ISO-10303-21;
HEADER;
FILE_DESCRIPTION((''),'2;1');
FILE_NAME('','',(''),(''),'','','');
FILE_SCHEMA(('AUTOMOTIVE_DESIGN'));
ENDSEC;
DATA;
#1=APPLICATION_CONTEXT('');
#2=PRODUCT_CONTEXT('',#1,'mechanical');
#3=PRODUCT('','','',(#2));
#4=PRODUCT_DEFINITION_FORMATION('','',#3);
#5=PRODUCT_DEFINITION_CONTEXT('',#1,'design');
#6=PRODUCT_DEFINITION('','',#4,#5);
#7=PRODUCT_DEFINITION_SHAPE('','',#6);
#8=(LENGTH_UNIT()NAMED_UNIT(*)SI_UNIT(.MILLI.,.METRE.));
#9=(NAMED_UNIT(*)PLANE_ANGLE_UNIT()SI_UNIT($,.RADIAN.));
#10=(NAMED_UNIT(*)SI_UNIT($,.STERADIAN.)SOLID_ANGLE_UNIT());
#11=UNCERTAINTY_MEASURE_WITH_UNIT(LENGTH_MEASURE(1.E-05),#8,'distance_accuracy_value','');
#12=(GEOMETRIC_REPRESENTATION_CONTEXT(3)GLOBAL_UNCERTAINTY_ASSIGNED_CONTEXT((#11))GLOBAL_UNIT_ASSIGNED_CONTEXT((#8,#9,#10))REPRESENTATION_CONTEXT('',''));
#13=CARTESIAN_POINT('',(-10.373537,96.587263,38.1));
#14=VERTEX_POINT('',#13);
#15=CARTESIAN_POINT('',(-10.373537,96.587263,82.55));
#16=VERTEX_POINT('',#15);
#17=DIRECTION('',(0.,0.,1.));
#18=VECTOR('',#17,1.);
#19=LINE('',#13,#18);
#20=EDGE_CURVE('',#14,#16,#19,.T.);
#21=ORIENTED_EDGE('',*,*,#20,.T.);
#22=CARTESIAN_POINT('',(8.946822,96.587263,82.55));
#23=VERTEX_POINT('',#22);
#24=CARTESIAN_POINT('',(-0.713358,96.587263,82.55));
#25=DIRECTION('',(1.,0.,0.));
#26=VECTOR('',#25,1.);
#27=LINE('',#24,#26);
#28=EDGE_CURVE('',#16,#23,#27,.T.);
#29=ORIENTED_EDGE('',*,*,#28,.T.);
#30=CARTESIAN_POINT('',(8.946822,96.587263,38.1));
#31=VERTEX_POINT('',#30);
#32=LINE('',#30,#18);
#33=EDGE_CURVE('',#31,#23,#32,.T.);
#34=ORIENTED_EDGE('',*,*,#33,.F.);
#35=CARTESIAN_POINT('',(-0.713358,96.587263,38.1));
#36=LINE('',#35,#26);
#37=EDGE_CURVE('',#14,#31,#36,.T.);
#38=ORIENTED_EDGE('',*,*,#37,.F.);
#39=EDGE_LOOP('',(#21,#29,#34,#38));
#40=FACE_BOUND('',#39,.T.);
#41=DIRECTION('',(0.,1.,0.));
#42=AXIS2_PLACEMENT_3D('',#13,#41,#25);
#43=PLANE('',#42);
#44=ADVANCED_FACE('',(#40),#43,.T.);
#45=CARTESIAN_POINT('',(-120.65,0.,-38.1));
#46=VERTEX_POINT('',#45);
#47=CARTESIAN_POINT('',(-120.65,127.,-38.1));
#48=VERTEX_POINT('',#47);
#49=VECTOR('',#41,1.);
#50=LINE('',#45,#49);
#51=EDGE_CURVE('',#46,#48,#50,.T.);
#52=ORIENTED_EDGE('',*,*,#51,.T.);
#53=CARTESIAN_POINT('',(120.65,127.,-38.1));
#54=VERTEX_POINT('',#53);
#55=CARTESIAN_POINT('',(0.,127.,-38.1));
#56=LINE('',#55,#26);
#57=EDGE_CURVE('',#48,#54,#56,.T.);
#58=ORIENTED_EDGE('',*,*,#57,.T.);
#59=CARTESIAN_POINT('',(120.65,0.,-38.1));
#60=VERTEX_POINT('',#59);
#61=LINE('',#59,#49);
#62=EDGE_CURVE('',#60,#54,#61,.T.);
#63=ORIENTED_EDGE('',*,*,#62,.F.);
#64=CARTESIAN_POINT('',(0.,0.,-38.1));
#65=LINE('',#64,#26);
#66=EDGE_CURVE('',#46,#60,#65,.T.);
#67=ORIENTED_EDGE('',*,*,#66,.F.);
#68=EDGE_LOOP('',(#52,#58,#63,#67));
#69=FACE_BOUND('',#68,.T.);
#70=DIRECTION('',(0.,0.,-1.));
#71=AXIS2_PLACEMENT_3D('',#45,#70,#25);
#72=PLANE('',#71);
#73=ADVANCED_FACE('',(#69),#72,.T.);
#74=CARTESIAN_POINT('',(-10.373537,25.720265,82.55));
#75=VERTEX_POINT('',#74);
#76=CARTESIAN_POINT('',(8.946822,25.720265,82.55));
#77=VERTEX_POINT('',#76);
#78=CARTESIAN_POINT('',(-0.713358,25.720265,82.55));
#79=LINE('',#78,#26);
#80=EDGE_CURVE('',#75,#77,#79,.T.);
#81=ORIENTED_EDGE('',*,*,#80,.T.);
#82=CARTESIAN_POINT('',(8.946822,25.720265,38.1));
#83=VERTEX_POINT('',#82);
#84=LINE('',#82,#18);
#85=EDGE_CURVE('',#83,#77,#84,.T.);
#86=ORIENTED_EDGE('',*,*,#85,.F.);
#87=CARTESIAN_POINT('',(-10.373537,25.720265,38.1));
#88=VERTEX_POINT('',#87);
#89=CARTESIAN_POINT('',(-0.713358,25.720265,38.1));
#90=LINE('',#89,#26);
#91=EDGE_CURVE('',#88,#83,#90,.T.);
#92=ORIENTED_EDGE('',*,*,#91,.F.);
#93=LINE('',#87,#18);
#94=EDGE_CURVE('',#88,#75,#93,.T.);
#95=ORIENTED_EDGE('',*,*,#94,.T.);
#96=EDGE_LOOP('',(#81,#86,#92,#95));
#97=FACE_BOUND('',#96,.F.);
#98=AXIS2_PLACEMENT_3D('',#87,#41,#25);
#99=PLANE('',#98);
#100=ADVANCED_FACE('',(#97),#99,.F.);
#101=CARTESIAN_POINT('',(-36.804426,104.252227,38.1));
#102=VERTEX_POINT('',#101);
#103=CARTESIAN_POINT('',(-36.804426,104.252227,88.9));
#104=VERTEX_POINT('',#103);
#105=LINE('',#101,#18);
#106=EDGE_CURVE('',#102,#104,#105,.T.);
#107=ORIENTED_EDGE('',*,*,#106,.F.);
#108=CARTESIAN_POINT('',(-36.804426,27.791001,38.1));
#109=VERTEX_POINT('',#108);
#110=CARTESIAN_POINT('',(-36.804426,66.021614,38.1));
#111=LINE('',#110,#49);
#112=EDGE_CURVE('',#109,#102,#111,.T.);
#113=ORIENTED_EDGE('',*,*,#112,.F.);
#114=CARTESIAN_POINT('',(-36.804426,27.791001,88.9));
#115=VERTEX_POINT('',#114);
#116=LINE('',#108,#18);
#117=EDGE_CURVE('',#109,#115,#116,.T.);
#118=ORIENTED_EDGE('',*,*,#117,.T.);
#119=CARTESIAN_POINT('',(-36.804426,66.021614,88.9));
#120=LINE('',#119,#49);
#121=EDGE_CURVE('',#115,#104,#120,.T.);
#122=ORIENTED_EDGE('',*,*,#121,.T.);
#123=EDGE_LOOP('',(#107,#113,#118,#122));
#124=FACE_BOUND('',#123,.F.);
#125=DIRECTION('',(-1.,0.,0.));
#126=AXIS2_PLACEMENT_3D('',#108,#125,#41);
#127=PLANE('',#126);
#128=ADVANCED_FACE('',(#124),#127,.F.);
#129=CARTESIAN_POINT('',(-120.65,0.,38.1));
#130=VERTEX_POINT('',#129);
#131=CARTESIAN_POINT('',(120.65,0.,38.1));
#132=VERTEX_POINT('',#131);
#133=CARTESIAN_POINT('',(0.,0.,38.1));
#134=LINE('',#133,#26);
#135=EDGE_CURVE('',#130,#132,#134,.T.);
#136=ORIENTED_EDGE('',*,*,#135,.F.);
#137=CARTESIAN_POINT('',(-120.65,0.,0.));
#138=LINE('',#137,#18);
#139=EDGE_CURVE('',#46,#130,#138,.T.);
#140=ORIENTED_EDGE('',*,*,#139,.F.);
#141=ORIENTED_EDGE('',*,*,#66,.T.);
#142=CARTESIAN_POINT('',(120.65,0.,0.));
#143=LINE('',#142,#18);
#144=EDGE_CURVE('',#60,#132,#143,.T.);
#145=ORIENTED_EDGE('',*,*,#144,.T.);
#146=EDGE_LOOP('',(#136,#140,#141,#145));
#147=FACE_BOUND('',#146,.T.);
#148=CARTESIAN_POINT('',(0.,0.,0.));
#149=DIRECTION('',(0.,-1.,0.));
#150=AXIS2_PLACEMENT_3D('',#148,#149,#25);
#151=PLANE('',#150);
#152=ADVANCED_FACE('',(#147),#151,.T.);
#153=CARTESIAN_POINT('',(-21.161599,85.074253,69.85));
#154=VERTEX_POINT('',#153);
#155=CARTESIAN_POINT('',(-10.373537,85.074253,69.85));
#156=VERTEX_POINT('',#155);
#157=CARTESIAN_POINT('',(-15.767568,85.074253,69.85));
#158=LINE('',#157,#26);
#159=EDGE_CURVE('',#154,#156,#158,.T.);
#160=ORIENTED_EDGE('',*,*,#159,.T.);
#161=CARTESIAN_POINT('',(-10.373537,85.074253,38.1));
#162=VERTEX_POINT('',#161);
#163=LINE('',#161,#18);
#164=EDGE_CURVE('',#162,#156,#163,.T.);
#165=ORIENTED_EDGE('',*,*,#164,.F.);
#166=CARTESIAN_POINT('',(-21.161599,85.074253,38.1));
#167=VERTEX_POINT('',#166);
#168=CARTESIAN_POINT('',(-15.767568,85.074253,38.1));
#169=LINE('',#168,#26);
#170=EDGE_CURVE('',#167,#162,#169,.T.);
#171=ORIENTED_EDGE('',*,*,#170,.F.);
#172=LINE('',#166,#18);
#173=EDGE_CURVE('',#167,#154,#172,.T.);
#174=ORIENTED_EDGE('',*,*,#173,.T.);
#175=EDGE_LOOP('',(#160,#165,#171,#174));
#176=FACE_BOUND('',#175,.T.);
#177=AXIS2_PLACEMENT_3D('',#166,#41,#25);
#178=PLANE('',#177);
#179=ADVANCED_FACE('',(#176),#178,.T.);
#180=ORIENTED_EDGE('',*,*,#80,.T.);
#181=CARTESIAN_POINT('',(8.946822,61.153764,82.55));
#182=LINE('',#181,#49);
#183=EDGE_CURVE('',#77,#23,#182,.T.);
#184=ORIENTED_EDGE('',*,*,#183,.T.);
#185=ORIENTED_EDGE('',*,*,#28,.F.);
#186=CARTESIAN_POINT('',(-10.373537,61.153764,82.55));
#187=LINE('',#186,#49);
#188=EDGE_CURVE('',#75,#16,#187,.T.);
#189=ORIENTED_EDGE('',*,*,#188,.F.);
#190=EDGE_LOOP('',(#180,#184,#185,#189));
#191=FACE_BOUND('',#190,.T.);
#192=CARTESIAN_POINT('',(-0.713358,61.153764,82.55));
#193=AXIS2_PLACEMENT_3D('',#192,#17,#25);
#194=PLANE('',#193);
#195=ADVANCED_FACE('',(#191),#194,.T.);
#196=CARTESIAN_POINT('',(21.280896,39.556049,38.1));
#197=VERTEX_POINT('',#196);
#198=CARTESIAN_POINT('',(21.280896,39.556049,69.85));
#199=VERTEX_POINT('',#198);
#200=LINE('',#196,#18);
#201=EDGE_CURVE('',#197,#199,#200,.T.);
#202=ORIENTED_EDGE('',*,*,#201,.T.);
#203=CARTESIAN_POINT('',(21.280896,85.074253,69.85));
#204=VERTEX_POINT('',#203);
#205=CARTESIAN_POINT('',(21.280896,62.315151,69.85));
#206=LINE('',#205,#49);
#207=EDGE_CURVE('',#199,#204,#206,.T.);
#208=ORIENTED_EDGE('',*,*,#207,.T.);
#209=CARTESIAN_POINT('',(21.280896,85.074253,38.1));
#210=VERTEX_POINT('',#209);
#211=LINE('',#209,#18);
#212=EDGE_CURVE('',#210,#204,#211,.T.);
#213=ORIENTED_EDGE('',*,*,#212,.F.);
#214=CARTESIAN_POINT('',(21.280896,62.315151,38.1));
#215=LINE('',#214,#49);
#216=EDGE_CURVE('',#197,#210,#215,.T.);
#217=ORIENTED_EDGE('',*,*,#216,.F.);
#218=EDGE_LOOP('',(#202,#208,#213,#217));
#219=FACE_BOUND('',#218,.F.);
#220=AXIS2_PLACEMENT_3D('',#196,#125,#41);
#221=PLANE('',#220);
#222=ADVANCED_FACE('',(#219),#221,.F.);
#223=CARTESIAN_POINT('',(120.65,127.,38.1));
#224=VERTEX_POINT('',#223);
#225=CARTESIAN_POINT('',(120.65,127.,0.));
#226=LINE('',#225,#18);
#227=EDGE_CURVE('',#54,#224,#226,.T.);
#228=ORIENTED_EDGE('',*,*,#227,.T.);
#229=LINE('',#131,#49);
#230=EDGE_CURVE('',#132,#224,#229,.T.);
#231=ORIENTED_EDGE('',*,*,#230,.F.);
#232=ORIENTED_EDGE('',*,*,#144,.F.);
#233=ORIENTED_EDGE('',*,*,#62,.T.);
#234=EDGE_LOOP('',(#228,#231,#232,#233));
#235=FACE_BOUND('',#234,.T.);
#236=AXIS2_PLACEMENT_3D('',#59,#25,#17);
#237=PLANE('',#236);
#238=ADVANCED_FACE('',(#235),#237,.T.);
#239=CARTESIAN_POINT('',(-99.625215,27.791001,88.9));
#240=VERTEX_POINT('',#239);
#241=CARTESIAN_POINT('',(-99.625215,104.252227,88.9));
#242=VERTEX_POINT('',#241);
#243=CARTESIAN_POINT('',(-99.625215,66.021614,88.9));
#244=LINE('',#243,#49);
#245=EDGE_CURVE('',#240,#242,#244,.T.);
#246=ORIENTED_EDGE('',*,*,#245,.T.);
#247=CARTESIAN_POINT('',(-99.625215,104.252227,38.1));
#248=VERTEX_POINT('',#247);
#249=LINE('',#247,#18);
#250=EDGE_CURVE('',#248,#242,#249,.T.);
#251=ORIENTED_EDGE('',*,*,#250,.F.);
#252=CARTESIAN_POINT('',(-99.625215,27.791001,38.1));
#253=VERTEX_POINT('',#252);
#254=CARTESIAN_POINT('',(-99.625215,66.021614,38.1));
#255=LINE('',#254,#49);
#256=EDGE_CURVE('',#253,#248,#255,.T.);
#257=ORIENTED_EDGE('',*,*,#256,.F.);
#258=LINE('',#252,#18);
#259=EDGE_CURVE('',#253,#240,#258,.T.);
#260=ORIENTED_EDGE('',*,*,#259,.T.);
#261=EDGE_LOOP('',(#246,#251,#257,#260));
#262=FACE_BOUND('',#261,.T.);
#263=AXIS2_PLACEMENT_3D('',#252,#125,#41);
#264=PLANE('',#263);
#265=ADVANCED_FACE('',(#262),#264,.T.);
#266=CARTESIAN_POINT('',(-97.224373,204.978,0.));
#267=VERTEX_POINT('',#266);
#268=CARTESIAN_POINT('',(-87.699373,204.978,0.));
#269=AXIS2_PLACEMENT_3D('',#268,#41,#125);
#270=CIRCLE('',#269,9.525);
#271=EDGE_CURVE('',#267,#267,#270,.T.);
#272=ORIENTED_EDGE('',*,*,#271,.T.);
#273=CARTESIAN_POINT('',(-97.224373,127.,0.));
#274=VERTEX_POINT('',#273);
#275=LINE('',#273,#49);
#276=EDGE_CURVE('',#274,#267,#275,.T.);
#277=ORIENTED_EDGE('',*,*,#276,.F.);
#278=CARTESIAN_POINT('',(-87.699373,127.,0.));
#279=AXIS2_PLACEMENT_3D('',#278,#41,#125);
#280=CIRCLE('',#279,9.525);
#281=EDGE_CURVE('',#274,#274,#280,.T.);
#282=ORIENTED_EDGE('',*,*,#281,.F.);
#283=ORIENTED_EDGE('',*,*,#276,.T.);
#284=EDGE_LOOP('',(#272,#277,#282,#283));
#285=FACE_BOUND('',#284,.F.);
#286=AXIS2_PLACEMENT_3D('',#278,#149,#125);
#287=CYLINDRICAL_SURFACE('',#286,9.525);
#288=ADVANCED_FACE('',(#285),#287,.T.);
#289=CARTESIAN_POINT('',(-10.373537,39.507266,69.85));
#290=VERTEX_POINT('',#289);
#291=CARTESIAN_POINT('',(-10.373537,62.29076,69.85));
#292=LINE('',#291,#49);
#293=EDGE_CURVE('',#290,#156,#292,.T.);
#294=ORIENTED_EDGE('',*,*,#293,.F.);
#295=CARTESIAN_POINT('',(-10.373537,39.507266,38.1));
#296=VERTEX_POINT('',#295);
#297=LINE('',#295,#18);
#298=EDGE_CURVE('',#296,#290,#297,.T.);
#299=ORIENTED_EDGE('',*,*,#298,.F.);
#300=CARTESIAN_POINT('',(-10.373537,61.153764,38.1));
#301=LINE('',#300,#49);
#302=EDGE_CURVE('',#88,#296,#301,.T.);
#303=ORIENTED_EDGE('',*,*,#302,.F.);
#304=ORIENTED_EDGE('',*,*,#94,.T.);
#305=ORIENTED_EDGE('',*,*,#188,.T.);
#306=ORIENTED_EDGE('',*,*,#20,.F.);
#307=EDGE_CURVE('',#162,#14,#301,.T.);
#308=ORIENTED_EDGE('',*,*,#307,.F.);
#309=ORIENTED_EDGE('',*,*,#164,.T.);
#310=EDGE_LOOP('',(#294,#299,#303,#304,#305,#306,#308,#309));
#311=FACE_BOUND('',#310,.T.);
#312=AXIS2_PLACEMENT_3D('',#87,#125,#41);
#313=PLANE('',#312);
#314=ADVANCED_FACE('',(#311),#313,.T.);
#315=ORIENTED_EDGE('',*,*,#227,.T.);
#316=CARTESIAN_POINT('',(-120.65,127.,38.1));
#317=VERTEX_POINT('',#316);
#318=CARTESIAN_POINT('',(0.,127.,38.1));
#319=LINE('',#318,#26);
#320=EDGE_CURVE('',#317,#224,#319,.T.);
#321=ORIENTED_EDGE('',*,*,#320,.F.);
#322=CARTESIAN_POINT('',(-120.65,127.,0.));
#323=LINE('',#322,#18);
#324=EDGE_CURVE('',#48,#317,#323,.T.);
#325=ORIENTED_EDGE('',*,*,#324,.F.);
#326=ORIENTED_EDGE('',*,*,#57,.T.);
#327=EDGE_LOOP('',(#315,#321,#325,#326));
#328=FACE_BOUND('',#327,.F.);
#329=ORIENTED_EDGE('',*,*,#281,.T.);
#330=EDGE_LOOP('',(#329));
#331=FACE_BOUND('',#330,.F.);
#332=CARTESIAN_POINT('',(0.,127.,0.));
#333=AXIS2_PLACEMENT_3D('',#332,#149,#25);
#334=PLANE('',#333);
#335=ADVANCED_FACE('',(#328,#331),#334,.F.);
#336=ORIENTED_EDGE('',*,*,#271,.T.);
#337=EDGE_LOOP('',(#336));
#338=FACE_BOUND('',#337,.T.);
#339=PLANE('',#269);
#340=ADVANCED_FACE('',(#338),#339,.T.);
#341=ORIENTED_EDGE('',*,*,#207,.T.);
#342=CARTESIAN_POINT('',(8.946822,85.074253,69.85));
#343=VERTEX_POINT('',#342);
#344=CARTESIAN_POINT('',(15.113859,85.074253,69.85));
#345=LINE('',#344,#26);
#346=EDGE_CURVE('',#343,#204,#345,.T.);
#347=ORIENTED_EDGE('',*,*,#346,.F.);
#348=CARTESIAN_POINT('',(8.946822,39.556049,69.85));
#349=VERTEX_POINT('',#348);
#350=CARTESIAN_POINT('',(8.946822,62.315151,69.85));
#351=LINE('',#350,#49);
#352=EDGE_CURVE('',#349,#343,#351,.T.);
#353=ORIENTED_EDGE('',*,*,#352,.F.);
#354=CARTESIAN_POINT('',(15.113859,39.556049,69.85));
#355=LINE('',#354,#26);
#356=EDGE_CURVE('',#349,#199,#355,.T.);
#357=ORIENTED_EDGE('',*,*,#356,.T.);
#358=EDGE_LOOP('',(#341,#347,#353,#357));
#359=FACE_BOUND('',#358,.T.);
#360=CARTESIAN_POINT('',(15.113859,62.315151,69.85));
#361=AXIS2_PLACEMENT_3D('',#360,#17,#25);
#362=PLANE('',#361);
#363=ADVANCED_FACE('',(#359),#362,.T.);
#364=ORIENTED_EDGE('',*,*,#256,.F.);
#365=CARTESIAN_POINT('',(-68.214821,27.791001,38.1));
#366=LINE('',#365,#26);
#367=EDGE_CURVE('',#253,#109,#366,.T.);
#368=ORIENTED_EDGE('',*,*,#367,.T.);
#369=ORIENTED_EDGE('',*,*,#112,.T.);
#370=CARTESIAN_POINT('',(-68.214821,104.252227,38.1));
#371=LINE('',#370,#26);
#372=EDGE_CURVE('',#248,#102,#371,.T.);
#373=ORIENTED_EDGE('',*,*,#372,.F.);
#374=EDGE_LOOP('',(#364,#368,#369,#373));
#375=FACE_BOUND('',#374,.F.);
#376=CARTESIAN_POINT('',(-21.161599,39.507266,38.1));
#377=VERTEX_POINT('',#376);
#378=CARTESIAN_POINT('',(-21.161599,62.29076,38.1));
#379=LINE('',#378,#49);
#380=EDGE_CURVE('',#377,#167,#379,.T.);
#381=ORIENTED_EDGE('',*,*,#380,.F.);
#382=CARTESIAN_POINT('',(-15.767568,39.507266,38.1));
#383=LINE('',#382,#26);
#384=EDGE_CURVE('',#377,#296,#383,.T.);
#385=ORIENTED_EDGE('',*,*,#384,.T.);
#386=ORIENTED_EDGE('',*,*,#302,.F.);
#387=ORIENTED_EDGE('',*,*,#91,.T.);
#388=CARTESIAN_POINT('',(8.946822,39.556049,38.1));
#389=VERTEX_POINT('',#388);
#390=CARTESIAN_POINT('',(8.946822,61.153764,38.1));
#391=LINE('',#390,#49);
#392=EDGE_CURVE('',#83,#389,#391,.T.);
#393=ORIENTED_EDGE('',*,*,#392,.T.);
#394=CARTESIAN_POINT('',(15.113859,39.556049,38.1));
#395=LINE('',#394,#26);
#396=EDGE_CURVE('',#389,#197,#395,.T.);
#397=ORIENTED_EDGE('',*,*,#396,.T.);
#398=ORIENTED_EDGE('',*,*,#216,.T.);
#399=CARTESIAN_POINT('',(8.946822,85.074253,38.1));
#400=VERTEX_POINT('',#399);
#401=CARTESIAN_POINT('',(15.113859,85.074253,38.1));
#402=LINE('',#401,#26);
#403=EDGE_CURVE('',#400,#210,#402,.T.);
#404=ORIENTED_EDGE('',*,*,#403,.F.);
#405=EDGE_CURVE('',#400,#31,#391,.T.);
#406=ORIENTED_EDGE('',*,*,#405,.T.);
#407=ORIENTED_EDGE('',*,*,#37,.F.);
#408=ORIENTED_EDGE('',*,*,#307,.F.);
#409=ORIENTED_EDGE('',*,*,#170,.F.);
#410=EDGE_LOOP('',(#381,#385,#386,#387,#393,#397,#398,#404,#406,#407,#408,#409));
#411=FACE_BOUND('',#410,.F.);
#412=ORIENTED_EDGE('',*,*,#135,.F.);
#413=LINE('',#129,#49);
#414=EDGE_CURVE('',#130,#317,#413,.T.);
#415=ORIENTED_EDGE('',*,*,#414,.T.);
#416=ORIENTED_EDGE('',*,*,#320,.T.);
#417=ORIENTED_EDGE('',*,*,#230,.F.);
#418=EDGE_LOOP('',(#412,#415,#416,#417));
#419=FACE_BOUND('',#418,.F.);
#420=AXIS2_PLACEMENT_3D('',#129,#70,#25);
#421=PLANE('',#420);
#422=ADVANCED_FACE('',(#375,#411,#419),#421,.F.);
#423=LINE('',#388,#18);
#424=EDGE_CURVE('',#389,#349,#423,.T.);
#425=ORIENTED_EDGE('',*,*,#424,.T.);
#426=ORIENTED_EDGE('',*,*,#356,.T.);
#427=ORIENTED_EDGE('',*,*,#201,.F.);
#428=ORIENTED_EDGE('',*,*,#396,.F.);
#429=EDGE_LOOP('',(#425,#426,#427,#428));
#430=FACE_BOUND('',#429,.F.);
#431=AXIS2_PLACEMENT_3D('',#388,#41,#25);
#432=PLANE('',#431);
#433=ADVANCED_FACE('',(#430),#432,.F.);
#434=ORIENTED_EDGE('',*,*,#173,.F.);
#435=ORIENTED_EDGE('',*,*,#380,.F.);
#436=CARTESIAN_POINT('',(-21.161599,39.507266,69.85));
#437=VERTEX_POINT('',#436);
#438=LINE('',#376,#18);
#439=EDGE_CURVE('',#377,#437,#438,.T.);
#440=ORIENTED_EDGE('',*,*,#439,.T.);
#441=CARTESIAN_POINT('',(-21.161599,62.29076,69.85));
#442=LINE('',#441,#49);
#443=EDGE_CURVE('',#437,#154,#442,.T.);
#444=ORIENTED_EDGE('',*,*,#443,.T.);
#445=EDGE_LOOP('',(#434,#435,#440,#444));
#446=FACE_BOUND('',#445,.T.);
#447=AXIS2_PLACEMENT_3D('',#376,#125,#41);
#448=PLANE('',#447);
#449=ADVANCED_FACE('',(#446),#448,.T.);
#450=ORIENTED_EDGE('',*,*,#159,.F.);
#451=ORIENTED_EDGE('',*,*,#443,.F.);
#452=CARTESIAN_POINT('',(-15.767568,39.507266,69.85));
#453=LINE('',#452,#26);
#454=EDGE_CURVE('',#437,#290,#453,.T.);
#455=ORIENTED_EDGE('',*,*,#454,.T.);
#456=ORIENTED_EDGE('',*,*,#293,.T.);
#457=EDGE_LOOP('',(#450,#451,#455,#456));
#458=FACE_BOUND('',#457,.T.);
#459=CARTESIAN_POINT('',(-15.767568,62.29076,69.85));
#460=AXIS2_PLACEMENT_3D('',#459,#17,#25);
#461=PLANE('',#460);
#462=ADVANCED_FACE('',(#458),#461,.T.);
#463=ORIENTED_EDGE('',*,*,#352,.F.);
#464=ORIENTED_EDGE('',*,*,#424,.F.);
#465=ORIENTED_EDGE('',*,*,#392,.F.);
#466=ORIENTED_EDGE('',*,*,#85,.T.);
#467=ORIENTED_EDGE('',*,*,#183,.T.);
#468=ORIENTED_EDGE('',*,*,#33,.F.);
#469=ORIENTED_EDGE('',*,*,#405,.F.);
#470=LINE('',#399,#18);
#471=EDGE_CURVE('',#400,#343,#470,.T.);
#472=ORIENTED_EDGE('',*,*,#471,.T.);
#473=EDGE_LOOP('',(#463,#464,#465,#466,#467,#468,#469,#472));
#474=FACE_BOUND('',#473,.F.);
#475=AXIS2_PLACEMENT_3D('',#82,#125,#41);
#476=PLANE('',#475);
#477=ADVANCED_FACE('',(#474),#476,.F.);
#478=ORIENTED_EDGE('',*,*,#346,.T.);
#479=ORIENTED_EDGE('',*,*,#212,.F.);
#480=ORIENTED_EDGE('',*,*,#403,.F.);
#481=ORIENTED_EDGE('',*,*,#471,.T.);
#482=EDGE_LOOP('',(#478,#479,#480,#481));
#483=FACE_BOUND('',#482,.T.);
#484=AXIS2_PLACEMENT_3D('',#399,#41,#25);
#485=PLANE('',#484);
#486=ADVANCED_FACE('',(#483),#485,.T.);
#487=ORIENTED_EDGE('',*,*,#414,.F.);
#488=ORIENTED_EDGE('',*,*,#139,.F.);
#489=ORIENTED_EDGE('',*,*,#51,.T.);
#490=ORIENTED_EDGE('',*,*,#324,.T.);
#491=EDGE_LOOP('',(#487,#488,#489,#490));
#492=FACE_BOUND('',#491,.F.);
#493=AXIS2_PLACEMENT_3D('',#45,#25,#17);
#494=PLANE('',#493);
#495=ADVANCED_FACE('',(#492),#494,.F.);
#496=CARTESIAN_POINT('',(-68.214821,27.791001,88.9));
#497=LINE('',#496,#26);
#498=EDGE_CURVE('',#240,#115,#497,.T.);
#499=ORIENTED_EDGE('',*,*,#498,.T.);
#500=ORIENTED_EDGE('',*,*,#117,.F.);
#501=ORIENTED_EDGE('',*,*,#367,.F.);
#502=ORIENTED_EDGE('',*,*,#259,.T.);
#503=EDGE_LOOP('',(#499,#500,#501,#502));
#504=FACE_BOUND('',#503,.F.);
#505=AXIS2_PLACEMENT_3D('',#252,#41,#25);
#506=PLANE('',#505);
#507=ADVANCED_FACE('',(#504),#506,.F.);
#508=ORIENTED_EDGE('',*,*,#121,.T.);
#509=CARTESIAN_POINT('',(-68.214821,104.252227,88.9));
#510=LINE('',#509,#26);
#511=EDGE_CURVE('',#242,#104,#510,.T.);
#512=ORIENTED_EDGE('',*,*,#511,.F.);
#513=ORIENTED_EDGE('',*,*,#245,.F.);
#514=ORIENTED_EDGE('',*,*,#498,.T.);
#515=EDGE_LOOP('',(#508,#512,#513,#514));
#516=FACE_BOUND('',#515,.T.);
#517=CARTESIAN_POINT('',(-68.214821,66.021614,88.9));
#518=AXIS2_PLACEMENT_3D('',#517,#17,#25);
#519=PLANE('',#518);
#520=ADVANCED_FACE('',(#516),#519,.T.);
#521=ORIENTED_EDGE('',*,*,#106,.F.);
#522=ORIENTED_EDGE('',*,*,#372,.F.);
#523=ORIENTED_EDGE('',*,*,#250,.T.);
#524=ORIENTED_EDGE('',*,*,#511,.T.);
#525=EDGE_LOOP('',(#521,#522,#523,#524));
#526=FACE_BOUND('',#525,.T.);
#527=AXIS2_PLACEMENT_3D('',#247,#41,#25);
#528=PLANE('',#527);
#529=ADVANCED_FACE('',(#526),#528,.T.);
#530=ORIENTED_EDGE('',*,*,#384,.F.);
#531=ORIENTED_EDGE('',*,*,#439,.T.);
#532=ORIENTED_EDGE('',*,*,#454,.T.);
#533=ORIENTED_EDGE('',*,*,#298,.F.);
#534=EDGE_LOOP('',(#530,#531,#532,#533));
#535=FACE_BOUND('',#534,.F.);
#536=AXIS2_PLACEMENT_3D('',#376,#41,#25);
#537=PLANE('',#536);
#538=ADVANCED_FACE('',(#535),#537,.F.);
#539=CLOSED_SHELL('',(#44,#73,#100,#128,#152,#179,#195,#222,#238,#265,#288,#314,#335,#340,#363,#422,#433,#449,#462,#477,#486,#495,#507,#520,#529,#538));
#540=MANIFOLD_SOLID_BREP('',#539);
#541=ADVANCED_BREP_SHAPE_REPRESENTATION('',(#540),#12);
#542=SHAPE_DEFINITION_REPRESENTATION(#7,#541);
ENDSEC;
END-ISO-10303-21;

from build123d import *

# Parameters (mm, degrees)
F0_W     = 241.3
F0_H     = 76.2
F1_DEPTH = 127
F2_W     = 62.8207884729
F2_H     = 76.4612257481
F3_DEPTH = 50.8
F4_W     = 19.3203594536
F4_H     = 70.8669982851
F5_DEPTH = 44.45
F6_W     = 10.7880616561
F6_H     = 45.5669872463
F6_W_2   = 12.3340738937
F6_H_2   = 45.5182045698
F7_DEPTH = 31.75
F8_R     = 9.525
F9_DEPTH = 77.978


with BuildPart() as f1:
    # F0 (on Front) → F1 (new body)
    with BuildSketch(Plane.XZ):
        Rectangle(F0_W, F0_H)
    extrude(amount=-F1_DEPTH)

    # F2 (on face) → F3 (join)
    with BuildSketch(Plane.XY.offset(38.1)):
        with Locations((-68.2148206979, 66.0216137767)):
            Rectangle(F2_W, F2_H)
    extrude(amount=F3_DEPTH)

    # F4 (on face) → F5 (join)
    with BuildSketch(Plane.XY.offset(38.1)):
        with Locations((-0.7133577019, 61.1537639052)):
            Rectangle(F4_W, F4_H)
    extrude(amount=F5_DEPTH)

    # F6 (on face) → F7 (join)
    with BuildSketch(Plane.XY.offset(38.1)):
        with Locations((-15.7675682567, 62.2907597572)):
            Rectangle(F6_W, F6_H)
        with Locations((15.1138589717, 62.3151510954)):
            Rectangle(F6_W_2, F6_H_2)
    extrude(amount=F7_DEPTH)

    # F8 (on face) → F9 (join)
    with BuildSketch(Plane(origin=(0, 127, 0), x_dir=(-1, 0, 0), z_dir=(0, 1, 0))):
        with Locations((87.699372661, 0)):
            Circle(F8_R)
    extrude(amount=F9_DEPTH)


solid = f1.part
